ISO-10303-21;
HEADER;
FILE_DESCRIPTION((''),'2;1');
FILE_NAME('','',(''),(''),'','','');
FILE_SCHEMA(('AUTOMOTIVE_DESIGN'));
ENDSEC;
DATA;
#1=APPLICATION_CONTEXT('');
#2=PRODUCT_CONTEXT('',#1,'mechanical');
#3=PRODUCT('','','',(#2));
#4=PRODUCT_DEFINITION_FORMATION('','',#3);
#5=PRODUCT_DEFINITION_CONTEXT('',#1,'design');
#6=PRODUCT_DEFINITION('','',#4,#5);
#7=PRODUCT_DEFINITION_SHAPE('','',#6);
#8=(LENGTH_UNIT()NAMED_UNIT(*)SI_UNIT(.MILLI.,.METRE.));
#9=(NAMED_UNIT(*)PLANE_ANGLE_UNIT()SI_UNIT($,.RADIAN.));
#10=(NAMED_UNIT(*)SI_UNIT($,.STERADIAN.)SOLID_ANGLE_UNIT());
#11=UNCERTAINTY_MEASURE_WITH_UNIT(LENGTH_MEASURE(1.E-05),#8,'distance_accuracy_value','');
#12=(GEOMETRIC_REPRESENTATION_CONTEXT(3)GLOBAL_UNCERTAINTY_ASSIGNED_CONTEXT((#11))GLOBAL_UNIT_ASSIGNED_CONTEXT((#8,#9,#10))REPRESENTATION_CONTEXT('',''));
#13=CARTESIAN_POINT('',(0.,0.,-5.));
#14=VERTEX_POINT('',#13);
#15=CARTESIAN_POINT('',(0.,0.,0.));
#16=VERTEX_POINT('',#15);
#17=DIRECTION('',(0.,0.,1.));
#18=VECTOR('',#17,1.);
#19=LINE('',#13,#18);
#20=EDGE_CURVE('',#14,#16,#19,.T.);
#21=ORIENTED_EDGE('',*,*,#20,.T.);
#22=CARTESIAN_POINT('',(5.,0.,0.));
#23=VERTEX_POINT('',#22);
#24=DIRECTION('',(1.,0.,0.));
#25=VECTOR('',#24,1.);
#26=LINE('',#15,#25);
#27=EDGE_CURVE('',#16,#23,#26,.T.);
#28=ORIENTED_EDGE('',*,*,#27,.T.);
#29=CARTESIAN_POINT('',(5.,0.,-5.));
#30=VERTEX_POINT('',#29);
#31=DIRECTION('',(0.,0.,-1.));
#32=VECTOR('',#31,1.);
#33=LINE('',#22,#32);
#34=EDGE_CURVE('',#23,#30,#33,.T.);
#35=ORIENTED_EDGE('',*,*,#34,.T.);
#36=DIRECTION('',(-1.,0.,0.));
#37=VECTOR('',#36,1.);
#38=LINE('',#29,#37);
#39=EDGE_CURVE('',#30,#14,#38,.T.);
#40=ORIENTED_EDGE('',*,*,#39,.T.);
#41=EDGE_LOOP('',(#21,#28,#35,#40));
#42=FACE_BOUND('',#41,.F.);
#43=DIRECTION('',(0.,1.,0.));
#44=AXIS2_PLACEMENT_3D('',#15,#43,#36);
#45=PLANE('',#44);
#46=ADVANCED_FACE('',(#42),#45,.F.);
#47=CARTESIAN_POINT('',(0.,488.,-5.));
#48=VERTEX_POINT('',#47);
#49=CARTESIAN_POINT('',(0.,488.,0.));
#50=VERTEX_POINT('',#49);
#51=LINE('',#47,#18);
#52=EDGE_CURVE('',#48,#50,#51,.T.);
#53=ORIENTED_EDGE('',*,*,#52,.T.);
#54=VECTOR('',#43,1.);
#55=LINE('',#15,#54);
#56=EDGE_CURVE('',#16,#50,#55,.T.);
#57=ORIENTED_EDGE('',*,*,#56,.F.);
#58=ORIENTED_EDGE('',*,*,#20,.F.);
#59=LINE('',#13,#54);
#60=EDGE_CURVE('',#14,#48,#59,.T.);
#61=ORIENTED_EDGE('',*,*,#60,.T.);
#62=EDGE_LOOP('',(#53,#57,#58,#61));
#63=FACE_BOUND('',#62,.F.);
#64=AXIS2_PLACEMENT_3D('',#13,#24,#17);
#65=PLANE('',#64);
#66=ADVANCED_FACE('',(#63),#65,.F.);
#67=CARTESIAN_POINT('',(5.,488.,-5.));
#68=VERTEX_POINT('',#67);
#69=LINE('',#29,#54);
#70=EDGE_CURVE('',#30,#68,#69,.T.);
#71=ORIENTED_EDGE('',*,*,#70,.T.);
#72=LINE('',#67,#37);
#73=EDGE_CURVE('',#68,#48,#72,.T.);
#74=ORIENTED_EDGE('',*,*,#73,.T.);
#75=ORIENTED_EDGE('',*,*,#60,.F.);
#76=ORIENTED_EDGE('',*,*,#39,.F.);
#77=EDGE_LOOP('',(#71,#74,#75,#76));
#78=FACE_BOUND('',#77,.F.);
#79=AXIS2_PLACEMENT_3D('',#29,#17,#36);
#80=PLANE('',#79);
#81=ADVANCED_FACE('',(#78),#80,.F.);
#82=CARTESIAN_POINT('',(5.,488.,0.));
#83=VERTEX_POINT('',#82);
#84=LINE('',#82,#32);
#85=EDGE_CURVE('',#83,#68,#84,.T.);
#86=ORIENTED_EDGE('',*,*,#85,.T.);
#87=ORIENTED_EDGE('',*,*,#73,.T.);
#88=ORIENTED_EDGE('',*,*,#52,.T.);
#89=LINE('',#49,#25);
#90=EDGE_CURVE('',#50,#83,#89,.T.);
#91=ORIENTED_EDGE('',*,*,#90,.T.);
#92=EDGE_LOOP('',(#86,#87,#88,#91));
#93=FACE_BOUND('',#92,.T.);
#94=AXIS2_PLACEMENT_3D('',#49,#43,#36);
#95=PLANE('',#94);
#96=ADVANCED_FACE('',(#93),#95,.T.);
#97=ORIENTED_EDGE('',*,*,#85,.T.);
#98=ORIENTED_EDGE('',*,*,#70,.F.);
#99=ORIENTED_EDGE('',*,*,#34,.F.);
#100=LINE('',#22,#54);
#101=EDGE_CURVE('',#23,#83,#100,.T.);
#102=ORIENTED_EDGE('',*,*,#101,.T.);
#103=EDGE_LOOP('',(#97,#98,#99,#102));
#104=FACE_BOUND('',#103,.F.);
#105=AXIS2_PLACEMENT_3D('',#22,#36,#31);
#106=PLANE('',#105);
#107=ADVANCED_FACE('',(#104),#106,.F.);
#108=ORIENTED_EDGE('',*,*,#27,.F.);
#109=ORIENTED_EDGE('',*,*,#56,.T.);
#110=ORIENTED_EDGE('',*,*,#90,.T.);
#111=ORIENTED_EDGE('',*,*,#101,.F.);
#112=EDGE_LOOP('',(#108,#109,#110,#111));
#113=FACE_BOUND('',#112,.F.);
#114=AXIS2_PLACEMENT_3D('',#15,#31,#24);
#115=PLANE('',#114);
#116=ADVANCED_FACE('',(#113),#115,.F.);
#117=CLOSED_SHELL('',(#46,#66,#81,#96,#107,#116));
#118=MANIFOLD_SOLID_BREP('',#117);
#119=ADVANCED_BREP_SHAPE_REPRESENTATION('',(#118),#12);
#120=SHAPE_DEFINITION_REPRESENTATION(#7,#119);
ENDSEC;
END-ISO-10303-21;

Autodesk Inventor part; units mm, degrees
ref_plane "YZ Plane" through (0, 0, 0) normal (1, 0, 0) x (0, 1, 0)
ref_plane "XZ Plane" through (0, 0, 0) normal (0, 1, 0) x (-1, 0, 0)
ref_plane "XY Plane" through (0, 0, 0) normal (0, 0, 1) x (1, 0, 0)
sketch "Sketch4" plane through (0, 0, 0) normal (0, 1, 0) x (-1, 0, 0)
  line L0 (0, 0) -> (-5, 0)
  line L1 (-5, 0) -> (-5, -5)
  line L2 (-5, -5) -> (0, -5)
  line L3 (0, -5) -> (0, 0)
  dimension "d103" = 5
  dimension "d104" = 5
extrude "Extrusion7" add sketch "Sketch4" along normal blind 488
properties part number "airfoil"
